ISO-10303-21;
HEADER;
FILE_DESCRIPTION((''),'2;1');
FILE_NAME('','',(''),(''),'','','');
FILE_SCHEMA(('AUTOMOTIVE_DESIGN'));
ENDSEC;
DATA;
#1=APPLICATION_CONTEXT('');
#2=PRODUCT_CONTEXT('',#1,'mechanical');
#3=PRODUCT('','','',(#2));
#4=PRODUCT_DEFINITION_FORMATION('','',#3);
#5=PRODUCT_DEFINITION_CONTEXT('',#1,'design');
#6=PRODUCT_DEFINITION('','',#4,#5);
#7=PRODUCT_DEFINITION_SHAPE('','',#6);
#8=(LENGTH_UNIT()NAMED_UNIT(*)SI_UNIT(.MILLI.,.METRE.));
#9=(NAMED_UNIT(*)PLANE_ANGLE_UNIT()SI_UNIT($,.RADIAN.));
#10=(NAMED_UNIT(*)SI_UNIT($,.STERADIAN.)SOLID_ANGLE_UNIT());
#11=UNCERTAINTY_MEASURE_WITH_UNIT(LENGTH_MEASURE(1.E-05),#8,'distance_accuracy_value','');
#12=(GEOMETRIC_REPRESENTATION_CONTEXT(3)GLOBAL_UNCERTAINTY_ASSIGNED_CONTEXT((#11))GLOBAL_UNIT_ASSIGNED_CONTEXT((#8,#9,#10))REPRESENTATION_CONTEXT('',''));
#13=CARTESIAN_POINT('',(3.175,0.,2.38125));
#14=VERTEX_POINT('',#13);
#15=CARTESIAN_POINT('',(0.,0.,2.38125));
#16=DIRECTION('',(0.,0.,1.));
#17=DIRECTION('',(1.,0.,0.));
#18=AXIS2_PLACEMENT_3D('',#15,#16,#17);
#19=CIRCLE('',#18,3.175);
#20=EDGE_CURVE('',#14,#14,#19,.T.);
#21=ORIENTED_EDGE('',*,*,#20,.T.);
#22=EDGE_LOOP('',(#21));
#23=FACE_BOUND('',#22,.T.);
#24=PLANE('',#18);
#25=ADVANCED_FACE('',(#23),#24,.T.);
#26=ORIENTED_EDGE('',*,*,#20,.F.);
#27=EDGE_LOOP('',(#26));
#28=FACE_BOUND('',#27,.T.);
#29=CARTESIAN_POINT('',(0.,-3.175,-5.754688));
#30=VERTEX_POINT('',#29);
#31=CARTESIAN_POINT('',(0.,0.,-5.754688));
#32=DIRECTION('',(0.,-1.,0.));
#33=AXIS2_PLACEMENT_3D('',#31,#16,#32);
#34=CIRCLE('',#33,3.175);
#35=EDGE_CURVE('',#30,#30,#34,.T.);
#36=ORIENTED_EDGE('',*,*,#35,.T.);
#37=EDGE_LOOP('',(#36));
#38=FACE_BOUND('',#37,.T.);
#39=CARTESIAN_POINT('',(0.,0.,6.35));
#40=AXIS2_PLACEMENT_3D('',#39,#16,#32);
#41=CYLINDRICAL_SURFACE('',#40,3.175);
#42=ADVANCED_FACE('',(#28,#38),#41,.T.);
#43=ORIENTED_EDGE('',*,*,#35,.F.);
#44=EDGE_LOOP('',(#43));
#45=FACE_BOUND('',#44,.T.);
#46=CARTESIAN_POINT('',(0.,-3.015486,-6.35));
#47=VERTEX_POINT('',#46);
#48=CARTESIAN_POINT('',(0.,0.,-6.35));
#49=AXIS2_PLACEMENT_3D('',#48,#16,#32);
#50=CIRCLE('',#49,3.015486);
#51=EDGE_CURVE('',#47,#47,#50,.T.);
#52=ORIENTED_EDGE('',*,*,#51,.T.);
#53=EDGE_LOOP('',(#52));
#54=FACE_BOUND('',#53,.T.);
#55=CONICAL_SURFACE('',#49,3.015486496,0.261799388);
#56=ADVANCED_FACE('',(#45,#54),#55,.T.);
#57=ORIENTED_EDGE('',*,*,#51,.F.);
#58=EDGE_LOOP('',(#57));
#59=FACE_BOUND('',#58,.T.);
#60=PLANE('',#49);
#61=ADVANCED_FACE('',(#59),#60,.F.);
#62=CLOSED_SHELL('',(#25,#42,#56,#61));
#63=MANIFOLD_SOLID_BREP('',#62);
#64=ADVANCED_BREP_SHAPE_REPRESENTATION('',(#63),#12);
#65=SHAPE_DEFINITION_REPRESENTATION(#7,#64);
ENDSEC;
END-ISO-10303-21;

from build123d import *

# Parameters (mm, degrees)
CUT_EXTRUDE1_START = -3.96875
SKETCH4_R          = 3.175
CUT_EXTRUDE1_DEPTH = 3.96875


with BuildPart() as part:
    # Sketch3 → Revolve1 (revolve)
    with BuildSketch(Plane(origin=(0, 0, 0), x_dir=(0, 0, -1), z_dir=(1, 0, 0)), mode=Mode.PRIVATE) as revolve1_sk:
        Polygon((-6.35, 2.38125), (-5.55625, 3.175), (5.7546875, 3.175), (6.35, 3.015486496), (6.35, 0), (-6.35, 0), align=None)
    revolve(revolve1_sk.sketch.rotate(Axis((0, 0, 6.35), (0, 0, -1)), 180), axis=Axis((0, 0, 6.35), (0, 0, -1)))

    # Sketch4 → Cut-Extrude1 (cut)
    with BuildSketch(Plane.XY.offset(6.35).offset(CUT_EXTRUDE1_START)):
        with Locations(Location((0, 0, 0), (0, 0, 270))):
            Circle(SKETCH4_R)
    extrude(amount=CUT_EXTRUDE1_DEPTH, mode=Mode.SUBTRACT)


solid = part.part
